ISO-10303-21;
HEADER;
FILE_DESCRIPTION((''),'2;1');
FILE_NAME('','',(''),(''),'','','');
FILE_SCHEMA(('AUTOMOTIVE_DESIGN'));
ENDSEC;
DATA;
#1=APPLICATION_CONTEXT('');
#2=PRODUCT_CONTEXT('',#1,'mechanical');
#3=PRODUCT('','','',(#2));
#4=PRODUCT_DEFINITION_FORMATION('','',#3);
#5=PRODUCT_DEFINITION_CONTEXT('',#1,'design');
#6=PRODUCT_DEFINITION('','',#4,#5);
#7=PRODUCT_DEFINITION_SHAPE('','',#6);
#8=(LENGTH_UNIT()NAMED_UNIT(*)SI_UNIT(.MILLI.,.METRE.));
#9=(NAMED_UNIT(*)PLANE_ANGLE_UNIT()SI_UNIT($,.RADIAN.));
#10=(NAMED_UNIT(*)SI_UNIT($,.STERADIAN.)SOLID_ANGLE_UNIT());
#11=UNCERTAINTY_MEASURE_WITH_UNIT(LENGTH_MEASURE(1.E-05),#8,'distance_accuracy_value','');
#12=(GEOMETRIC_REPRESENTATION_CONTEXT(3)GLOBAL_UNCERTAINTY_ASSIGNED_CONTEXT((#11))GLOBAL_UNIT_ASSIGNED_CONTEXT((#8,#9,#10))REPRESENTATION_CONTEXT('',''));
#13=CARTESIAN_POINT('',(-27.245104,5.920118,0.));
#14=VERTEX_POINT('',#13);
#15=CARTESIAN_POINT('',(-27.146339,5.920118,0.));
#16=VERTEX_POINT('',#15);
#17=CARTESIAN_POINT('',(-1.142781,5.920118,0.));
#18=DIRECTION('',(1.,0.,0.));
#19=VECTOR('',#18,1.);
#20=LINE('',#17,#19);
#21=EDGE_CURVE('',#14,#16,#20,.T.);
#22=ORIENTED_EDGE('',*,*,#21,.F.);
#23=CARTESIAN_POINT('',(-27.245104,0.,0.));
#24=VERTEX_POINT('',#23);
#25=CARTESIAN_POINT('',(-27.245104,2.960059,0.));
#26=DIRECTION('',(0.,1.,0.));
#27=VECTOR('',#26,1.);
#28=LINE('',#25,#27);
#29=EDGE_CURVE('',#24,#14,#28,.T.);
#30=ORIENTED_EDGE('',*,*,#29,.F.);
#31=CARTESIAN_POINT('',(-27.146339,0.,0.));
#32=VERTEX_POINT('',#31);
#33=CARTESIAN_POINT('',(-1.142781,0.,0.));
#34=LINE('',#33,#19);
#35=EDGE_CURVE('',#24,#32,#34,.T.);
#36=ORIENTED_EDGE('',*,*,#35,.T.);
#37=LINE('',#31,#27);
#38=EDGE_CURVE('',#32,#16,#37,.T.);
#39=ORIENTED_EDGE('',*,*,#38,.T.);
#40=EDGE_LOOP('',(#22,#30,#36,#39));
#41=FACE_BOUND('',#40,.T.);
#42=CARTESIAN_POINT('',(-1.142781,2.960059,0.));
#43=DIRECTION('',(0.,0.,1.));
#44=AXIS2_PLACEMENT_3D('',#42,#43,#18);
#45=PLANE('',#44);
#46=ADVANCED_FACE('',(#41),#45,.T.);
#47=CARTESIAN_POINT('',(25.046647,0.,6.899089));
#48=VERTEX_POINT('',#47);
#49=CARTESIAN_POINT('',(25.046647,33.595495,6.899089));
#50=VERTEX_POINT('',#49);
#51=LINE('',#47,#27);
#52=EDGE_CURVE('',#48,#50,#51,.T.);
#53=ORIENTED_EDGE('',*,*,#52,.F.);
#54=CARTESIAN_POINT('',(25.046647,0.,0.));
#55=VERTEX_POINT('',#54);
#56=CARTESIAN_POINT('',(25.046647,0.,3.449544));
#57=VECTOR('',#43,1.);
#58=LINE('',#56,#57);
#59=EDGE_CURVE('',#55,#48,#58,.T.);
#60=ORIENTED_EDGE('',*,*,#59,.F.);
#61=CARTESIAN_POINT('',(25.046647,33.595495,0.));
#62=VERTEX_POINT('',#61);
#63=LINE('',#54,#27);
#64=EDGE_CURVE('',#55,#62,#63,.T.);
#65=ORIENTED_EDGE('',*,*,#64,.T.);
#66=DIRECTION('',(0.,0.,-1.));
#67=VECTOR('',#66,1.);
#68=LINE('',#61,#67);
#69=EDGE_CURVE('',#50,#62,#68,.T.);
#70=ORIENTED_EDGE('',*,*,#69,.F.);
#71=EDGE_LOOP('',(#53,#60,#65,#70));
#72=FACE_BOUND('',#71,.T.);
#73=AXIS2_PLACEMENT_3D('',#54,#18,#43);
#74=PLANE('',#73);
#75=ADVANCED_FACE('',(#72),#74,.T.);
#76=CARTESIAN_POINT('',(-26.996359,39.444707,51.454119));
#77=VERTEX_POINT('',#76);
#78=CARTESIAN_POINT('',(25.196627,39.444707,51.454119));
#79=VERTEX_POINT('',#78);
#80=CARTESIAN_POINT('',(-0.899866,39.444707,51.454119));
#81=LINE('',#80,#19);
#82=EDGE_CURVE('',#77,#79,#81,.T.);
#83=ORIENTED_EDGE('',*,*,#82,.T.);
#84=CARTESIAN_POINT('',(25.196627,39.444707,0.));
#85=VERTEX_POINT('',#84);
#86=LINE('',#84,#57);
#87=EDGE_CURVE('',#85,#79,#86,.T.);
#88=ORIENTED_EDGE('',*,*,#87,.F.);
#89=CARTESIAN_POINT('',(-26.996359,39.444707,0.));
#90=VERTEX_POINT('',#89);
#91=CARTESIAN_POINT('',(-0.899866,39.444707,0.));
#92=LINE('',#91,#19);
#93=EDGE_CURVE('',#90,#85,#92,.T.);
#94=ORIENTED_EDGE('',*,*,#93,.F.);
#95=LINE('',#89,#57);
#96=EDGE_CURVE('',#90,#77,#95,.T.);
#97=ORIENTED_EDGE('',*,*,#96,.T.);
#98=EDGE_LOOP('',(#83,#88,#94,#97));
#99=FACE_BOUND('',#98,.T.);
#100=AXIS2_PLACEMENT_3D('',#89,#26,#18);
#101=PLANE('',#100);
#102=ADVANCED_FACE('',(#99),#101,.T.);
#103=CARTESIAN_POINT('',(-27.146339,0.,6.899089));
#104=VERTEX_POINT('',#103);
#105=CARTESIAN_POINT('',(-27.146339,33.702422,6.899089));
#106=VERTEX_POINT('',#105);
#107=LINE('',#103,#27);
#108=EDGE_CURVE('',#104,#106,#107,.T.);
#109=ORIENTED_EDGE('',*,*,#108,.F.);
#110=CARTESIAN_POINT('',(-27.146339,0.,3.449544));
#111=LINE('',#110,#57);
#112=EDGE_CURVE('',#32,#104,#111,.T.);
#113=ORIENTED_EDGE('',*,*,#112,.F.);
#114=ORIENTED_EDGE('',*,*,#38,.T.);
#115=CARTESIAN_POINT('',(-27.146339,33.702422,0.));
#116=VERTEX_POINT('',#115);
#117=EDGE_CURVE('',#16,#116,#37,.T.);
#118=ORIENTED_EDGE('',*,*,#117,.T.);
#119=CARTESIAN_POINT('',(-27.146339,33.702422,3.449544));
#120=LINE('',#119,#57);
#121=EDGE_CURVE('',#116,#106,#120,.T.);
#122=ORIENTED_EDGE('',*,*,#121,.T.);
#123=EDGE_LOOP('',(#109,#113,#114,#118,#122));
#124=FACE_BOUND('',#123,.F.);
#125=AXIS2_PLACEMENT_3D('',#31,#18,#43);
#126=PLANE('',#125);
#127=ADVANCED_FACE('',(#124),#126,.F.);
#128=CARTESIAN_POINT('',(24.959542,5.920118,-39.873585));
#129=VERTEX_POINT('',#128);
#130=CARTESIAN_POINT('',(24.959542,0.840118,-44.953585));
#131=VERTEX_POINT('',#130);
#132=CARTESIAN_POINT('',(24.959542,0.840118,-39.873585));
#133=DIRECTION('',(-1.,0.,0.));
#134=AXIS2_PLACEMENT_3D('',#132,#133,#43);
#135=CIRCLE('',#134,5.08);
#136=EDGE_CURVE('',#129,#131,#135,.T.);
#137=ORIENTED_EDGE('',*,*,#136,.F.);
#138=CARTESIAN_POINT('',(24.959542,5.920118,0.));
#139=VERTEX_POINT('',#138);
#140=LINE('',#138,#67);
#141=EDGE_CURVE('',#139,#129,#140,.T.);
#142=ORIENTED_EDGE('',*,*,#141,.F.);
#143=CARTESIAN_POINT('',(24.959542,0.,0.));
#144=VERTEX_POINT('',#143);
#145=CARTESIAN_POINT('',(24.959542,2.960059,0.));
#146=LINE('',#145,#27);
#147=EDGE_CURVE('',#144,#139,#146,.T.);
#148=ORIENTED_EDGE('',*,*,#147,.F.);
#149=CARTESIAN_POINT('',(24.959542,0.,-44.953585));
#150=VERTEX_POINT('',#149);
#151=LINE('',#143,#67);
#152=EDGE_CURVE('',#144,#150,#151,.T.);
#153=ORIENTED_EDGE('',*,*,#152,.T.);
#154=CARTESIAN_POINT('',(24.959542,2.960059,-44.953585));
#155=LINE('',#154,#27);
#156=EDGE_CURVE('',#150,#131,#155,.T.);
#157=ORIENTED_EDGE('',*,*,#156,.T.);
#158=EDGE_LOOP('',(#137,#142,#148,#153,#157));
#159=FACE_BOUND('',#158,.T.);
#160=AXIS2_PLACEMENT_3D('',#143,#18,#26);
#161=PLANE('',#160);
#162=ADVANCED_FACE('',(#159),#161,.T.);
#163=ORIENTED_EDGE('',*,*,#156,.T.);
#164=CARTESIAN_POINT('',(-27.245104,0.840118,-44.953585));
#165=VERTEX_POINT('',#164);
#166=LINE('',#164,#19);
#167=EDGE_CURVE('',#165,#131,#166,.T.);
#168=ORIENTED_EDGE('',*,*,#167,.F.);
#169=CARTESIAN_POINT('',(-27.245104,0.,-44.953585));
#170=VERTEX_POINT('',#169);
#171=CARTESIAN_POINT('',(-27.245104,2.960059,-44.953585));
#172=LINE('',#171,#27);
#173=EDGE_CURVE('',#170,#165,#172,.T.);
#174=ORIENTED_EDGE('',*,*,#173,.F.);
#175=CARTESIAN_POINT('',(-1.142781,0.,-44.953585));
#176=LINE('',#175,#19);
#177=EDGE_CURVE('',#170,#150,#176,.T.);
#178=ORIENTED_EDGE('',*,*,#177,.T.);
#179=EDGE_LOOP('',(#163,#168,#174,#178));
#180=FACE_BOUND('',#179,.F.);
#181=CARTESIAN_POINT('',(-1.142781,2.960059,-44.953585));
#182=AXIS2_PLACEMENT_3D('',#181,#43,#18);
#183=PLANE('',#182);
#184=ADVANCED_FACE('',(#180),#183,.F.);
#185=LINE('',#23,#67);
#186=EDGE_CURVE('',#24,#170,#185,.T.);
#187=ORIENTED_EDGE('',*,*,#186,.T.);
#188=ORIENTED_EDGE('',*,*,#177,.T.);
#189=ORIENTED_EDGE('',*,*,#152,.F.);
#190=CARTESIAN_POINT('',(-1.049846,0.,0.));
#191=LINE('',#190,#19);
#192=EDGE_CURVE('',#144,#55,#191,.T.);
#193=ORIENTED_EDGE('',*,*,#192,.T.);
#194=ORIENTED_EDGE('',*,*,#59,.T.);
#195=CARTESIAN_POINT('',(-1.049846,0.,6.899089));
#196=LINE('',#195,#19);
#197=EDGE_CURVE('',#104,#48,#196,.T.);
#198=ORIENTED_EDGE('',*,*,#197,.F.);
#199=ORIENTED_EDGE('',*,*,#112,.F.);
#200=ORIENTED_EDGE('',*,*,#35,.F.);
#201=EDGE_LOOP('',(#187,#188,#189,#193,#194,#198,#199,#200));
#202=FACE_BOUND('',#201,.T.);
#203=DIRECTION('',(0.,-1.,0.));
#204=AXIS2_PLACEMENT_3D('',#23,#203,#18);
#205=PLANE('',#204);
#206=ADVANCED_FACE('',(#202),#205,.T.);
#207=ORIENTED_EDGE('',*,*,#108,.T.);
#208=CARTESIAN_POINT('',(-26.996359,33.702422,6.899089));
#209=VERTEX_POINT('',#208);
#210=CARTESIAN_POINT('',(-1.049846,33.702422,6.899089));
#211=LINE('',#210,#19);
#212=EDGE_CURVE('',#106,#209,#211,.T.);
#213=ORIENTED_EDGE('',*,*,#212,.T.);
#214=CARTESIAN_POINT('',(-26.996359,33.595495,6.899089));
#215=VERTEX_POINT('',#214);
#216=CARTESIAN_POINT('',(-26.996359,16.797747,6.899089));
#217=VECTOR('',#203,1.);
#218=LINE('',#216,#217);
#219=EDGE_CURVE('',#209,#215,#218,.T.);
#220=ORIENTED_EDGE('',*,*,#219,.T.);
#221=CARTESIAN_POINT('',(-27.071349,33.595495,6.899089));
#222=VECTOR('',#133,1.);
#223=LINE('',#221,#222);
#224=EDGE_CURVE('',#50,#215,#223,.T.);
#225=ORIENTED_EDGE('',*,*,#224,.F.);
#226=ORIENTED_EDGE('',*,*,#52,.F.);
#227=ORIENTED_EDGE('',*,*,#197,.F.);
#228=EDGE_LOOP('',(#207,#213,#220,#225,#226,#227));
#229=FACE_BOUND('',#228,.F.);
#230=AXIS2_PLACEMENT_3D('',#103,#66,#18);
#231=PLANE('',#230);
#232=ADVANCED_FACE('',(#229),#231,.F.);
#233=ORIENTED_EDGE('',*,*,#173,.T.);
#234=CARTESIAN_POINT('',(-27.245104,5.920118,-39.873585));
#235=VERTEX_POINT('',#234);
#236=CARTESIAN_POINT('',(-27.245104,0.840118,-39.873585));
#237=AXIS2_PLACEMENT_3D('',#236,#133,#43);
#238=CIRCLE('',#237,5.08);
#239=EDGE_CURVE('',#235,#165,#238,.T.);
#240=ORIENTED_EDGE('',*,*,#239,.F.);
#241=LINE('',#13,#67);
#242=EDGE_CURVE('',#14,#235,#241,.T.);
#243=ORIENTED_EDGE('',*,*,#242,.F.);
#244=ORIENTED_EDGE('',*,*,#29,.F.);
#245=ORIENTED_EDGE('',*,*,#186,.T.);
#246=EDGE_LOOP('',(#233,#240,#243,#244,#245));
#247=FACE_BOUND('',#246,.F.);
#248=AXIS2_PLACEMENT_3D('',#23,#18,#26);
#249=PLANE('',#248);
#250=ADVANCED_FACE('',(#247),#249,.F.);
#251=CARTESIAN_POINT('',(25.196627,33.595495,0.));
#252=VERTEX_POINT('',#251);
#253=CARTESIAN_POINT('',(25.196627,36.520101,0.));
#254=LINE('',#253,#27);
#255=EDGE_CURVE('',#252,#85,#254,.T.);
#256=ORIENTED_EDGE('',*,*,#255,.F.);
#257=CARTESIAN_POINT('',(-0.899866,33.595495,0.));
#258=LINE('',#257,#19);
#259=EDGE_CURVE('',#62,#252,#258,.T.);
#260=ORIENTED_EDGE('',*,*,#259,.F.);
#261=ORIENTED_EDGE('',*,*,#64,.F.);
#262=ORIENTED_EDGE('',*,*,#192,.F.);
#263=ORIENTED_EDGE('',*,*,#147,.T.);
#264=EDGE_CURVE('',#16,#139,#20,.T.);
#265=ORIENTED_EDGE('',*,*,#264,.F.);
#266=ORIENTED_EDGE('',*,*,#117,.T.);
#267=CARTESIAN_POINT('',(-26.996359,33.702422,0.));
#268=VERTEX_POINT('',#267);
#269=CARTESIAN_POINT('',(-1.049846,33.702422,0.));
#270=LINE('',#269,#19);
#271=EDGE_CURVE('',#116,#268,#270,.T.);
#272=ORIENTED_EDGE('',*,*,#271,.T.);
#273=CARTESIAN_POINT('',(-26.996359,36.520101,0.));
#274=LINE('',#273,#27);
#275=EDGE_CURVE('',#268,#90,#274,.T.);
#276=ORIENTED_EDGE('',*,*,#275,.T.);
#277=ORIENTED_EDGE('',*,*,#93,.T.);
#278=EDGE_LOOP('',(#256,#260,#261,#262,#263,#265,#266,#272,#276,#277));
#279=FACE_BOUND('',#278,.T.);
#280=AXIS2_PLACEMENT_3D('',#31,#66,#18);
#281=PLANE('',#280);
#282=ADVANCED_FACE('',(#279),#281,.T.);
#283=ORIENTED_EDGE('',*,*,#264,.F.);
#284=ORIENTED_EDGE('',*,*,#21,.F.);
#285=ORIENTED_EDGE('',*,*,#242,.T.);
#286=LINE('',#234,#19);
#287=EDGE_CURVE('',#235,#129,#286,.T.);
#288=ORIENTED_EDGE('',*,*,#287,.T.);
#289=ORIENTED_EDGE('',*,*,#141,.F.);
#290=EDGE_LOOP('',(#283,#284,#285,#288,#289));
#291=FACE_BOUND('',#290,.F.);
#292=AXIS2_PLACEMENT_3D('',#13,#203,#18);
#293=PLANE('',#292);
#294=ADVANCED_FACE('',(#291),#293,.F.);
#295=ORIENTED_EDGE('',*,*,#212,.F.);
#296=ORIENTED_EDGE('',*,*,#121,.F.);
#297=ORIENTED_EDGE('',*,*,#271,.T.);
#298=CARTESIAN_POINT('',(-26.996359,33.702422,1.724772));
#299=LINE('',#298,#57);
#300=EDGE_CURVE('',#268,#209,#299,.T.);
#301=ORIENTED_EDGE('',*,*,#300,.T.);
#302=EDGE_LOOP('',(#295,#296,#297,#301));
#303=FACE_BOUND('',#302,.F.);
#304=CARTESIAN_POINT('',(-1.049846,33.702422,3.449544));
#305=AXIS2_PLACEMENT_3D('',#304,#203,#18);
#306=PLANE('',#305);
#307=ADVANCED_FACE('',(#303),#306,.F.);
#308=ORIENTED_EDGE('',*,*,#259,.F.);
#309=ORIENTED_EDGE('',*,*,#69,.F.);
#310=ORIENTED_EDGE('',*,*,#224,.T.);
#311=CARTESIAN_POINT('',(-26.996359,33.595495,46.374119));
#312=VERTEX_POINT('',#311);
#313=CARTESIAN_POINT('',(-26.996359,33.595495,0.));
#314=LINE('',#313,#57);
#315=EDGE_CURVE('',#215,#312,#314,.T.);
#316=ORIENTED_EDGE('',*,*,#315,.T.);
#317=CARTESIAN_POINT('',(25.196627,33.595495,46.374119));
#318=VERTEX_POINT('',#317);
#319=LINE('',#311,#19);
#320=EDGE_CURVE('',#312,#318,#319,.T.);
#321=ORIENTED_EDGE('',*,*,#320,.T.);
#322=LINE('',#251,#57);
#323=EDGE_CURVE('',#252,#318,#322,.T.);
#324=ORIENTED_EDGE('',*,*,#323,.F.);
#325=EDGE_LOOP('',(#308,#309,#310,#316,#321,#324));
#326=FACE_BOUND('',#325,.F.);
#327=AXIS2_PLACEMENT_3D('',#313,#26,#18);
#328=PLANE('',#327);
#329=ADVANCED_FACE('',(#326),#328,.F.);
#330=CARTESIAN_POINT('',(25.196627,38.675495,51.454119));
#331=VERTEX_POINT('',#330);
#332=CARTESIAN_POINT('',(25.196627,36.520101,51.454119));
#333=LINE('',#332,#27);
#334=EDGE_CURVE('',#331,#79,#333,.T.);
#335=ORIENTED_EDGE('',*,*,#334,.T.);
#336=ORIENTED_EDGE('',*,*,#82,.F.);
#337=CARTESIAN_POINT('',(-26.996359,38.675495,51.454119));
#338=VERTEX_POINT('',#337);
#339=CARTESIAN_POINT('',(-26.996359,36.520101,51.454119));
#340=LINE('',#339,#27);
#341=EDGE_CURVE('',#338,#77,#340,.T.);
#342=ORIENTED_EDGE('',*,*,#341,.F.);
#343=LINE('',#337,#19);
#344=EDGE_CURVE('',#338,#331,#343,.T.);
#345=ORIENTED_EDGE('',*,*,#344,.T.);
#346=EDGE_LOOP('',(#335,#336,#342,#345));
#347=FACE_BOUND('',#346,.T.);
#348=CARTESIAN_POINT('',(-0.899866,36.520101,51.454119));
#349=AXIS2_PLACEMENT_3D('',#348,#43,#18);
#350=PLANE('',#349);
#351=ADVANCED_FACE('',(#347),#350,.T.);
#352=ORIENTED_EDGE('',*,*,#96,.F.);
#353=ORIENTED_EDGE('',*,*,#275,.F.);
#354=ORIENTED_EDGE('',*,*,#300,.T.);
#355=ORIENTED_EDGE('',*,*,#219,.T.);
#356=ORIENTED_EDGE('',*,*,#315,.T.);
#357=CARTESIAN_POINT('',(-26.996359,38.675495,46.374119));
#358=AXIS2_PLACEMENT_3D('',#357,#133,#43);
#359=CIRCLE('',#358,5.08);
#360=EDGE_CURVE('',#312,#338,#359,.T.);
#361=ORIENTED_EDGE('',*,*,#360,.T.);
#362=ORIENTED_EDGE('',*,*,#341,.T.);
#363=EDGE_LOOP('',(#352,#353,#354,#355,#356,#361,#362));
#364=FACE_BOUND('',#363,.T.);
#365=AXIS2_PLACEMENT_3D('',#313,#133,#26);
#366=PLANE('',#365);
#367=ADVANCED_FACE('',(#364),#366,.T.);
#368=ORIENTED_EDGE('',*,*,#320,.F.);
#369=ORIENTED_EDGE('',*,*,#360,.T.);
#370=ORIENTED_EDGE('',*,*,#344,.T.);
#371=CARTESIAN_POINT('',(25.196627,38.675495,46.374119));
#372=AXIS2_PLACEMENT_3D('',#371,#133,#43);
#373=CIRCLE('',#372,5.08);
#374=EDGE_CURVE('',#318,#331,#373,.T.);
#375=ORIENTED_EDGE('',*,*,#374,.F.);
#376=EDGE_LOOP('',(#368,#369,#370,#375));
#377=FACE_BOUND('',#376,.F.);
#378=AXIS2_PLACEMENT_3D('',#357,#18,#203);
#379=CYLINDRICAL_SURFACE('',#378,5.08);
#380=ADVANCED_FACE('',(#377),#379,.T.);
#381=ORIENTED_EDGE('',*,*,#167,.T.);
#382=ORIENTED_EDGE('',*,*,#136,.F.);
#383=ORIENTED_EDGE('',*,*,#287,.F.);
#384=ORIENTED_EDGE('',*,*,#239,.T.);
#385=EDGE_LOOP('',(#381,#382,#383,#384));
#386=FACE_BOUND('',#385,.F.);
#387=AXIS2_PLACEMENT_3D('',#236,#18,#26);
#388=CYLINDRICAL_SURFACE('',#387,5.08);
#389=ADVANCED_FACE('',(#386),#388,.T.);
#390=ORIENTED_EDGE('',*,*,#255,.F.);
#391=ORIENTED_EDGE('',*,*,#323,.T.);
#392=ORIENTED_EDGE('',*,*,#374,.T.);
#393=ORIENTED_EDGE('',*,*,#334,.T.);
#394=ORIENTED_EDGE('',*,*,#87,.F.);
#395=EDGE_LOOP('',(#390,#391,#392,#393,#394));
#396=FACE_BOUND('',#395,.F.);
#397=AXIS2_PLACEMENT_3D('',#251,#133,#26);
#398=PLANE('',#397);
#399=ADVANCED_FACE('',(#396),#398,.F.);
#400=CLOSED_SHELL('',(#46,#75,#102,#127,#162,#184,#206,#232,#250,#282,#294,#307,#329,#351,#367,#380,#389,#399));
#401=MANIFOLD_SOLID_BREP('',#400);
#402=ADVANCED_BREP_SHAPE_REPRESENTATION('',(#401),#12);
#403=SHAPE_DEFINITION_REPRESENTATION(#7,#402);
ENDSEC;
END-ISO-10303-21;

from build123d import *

# Parameters (mm, degrees)
F0_W     = 52.1929860115
F0_H     = 5.8492124081
F1_DEPTH = 51.4541193843
F2_W     = 52.1929860115
F2_H     = 6.8990886211
F3_DEPTH = 33.7024219334
F4_W     = 52.2046461701
F4_H     = 5.920117721
F5_DEPTH = 44.953584671
F6_R     = 5.08
F7_R     = 5.08


with BuildPart() as f1:
    # F0 (on Top) → F1 (new body)
    with BuildSketch(Plane.XY):
        with Locations((-0.8998662233, 36.52010113)):
            Rectangle(F0_W, F0_H)
    extrude(amount=F1_DEPTH)

    # F2 (on Front) → F3 (join)
    with BuildSketch(Plane.XZ):
        with Locations((-1.0498464108, 3.4495443106)):
            Rectangle(F2_W, F2_H)
    extrude(amount=-F3_DEPTH)

    # F4 (on Top) → F5 (join)
    with BuildSketch(Plane.XY):
        with Locations((-1.1427812278, 2.9600588605)):
            Rectangle(F4_W, F4_H)
    extrude(amount=-F5_DEPTH)

    # F6
    f6_edges = [f1.edges().sort_by_distance(p)[0] for p in [
        (-1.142781, 5.920118, -44.953585),
    ]]
    fillet(f6_edges, radius=F6_R)

    # F7
    f7_edges = [f1.edges().sort_by_distance(p)[0] for p in [
        (-0.899866, 33.595495, 51.454119),
    ]]
    fillet(f7_edges, radius=F7_R)


solid = f1.part
